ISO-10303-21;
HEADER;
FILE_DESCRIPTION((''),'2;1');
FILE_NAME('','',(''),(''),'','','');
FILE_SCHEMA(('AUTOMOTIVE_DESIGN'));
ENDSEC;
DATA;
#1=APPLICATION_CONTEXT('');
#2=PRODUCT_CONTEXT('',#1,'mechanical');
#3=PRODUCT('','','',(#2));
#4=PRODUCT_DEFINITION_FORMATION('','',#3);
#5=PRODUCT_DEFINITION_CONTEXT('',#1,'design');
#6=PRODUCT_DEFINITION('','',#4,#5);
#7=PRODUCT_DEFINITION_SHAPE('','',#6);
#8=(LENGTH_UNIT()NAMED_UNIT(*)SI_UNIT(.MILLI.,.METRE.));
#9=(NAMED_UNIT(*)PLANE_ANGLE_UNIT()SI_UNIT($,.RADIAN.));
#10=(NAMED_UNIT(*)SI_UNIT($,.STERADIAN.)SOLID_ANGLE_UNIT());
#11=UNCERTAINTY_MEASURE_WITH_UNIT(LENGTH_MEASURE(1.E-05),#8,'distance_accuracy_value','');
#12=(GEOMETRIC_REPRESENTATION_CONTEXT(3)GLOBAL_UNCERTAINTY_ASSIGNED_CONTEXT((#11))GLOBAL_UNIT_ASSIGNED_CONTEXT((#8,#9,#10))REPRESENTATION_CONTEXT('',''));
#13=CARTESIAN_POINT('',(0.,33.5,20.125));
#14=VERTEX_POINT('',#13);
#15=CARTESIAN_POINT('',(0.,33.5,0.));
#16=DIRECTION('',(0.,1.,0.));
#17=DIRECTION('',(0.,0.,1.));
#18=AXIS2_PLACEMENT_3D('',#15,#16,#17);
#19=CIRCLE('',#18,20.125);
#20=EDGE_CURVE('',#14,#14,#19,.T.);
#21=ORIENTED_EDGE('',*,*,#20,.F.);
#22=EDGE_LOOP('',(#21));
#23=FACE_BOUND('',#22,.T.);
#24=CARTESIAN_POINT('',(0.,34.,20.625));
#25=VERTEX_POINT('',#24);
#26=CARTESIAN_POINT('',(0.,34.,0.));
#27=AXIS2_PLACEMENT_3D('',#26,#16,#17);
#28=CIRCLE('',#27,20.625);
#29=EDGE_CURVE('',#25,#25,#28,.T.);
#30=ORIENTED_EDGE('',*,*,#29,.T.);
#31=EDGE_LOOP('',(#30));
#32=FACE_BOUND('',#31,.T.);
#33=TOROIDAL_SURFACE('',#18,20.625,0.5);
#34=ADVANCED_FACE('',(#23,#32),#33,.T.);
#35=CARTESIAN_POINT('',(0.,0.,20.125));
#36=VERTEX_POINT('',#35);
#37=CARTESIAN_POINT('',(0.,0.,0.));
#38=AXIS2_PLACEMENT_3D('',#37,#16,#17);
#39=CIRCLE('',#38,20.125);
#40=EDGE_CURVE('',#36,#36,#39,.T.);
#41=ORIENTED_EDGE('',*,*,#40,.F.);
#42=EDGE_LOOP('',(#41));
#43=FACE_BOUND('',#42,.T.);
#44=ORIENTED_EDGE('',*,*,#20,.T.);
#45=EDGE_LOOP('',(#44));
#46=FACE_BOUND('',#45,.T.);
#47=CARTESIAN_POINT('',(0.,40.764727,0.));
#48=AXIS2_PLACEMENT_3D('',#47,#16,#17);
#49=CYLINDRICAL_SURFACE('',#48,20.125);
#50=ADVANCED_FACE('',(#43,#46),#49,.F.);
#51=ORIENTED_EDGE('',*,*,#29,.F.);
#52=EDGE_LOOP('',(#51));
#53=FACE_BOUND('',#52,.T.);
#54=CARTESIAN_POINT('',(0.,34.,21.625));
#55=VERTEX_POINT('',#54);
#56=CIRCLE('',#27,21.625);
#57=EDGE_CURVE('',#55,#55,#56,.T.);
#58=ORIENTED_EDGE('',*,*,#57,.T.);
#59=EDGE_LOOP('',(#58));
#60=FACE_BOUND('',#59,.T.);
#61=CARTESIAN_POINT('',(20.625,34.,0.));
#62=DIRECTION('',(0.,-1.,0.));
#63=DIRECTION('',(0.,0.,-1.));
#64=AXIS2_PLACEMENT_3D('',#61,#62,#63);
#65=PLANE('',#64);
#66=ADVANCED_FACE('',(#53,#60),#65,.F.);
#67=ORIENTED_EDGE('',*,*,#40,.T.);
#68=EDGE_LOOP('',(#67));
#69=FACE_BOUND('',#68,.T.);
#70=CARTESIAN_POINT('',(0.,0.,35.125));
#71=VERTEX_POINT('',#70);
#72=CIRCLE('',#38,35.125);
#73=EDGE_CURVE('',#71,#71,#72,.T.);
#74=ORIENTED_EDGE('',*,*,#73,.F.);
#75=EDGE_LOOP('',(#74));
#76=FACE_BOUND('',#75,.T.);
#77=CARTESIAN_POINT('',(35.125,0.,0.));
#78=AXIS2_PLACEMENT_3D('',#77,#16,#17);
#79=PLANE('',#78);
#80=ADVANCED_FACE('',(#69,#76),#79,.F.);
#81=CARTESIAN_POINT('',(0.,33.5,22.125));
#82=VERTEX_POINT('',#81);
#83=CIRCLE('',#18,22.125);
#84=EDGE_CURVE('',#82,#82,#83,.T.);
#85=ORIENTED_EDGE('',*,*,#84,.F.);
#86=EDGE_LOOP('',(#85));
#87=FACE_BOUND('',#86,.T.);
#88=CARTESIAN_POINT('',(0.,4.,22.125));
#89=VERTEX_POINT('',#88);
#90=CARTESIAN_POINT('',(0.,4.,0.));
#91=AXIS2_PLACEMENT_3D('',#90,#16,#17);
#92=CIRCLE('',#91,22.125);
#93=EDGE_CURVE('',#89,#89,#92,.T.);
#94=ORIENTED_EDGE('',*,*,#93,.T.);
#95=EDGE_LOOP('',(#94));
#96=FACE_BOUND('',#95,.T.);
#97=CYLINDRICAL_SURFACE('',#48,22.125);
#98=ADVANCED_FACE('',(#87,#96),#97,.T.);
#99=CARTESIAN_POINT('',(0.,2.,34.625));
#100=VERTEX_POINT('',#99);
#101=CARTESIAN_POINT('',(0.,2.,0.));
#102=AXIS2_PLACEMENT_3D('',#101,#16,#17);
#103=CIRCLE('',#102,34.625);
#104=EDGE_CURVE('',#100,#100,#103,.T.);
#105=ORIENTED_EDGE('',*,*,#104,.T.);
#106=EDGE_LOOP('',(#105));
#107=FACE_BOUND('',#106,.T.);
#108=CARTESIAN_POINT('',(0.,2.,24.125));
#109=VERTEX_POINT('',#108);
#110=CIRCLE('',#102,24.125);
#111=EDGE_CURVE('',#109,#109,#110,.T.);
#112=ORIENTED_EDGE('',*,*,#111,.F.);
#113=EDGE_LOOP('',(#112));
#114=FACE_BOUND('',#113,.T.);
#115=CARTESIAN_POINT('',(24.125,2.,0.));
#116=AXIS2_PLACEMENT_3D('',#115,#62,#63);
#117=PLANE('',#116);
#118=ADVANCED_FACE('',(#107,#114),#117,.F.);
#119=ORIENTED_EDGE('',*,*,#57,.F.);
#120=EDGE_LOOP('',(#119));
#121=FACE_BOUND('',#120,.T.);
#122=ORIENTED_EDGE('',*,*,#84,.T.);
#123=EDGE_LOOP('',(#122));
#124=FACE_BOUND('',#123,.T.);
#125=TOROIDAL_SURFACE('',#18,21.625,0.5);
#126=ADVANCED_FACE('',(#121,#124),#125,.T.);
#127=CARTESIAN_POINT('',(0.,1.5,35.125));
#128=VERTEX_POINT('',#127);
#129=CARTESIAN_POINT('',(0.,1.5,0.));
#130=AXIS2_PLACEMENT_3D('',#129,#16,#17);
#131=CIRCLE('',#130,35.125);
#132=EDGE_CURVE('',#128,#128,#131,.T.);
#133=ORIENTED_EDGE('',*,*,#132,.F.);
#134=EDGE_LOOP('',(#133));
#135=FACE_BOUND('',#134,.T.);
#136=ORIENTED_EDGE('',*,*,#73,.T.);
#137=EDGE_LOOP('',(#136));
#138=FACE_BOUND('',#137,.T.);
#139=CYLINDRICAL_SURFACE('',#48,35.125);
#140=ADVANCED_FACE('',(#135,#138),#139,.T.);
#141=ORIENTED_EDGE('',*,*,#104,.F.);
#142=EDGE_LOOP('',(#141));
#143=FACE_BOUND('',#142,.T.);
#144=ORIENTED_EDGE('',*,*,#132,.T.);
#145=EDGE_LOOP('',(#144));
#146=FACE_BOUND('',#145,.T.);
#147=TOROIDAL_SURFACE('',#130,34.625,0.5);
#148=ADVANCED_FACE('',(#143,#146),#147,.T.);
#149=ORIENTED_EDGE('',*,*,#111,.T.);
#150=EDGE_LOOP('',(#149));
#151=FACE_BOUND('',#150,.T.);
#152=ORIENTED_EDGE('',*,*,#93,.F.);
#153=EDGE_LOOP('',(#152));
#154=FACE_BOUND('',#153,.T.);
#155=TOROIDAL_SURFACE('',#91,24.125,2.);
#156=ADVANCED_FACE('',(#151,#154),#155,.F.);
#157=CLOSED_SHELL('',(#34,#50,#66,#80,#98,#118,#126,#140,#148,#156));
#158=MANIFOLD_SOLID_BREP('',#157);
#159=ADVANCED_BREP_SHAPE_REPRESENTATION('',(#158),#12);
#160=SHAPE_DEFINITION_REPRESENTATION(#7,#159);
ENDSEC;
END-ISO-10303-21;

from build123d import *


with BuildPart() as part:
    # Sketch1 → Revolve1 (revolve)
    with BuildSketch(Plane.XY):
        with BuildLine():
            Line((22.125, 33.5), (22.125, 4))
            ThreePointArc((22.125, 4), (22.710786438, 2.585786438), (24.125, 2))
            Line((24.125, 2), (34.625, 2))
            ThreePointArc((34.625, 2), (34.978553391, 1.853553391), (35.125, 1.5))
            Line((35.125, 1.5), (35.125, 0))
            Line((35.125, 0), (20.125, 0))
            Line((20.125, 0), (20.125, 33.5))
            ThreePointArc((20.125, 33.5), (20.271446609, 33.853553391), (20.625, 34))
            Line((20.625, 34), (21.625, 34))
            ThreePointArc((21.625, 34), (21.978553391, 33.853553391), (22.125, 33.5))
        make_face()
    revolve(axis=Axis((0, 40.764727394, 0), (0, -1, 0)))


solid = part.part
